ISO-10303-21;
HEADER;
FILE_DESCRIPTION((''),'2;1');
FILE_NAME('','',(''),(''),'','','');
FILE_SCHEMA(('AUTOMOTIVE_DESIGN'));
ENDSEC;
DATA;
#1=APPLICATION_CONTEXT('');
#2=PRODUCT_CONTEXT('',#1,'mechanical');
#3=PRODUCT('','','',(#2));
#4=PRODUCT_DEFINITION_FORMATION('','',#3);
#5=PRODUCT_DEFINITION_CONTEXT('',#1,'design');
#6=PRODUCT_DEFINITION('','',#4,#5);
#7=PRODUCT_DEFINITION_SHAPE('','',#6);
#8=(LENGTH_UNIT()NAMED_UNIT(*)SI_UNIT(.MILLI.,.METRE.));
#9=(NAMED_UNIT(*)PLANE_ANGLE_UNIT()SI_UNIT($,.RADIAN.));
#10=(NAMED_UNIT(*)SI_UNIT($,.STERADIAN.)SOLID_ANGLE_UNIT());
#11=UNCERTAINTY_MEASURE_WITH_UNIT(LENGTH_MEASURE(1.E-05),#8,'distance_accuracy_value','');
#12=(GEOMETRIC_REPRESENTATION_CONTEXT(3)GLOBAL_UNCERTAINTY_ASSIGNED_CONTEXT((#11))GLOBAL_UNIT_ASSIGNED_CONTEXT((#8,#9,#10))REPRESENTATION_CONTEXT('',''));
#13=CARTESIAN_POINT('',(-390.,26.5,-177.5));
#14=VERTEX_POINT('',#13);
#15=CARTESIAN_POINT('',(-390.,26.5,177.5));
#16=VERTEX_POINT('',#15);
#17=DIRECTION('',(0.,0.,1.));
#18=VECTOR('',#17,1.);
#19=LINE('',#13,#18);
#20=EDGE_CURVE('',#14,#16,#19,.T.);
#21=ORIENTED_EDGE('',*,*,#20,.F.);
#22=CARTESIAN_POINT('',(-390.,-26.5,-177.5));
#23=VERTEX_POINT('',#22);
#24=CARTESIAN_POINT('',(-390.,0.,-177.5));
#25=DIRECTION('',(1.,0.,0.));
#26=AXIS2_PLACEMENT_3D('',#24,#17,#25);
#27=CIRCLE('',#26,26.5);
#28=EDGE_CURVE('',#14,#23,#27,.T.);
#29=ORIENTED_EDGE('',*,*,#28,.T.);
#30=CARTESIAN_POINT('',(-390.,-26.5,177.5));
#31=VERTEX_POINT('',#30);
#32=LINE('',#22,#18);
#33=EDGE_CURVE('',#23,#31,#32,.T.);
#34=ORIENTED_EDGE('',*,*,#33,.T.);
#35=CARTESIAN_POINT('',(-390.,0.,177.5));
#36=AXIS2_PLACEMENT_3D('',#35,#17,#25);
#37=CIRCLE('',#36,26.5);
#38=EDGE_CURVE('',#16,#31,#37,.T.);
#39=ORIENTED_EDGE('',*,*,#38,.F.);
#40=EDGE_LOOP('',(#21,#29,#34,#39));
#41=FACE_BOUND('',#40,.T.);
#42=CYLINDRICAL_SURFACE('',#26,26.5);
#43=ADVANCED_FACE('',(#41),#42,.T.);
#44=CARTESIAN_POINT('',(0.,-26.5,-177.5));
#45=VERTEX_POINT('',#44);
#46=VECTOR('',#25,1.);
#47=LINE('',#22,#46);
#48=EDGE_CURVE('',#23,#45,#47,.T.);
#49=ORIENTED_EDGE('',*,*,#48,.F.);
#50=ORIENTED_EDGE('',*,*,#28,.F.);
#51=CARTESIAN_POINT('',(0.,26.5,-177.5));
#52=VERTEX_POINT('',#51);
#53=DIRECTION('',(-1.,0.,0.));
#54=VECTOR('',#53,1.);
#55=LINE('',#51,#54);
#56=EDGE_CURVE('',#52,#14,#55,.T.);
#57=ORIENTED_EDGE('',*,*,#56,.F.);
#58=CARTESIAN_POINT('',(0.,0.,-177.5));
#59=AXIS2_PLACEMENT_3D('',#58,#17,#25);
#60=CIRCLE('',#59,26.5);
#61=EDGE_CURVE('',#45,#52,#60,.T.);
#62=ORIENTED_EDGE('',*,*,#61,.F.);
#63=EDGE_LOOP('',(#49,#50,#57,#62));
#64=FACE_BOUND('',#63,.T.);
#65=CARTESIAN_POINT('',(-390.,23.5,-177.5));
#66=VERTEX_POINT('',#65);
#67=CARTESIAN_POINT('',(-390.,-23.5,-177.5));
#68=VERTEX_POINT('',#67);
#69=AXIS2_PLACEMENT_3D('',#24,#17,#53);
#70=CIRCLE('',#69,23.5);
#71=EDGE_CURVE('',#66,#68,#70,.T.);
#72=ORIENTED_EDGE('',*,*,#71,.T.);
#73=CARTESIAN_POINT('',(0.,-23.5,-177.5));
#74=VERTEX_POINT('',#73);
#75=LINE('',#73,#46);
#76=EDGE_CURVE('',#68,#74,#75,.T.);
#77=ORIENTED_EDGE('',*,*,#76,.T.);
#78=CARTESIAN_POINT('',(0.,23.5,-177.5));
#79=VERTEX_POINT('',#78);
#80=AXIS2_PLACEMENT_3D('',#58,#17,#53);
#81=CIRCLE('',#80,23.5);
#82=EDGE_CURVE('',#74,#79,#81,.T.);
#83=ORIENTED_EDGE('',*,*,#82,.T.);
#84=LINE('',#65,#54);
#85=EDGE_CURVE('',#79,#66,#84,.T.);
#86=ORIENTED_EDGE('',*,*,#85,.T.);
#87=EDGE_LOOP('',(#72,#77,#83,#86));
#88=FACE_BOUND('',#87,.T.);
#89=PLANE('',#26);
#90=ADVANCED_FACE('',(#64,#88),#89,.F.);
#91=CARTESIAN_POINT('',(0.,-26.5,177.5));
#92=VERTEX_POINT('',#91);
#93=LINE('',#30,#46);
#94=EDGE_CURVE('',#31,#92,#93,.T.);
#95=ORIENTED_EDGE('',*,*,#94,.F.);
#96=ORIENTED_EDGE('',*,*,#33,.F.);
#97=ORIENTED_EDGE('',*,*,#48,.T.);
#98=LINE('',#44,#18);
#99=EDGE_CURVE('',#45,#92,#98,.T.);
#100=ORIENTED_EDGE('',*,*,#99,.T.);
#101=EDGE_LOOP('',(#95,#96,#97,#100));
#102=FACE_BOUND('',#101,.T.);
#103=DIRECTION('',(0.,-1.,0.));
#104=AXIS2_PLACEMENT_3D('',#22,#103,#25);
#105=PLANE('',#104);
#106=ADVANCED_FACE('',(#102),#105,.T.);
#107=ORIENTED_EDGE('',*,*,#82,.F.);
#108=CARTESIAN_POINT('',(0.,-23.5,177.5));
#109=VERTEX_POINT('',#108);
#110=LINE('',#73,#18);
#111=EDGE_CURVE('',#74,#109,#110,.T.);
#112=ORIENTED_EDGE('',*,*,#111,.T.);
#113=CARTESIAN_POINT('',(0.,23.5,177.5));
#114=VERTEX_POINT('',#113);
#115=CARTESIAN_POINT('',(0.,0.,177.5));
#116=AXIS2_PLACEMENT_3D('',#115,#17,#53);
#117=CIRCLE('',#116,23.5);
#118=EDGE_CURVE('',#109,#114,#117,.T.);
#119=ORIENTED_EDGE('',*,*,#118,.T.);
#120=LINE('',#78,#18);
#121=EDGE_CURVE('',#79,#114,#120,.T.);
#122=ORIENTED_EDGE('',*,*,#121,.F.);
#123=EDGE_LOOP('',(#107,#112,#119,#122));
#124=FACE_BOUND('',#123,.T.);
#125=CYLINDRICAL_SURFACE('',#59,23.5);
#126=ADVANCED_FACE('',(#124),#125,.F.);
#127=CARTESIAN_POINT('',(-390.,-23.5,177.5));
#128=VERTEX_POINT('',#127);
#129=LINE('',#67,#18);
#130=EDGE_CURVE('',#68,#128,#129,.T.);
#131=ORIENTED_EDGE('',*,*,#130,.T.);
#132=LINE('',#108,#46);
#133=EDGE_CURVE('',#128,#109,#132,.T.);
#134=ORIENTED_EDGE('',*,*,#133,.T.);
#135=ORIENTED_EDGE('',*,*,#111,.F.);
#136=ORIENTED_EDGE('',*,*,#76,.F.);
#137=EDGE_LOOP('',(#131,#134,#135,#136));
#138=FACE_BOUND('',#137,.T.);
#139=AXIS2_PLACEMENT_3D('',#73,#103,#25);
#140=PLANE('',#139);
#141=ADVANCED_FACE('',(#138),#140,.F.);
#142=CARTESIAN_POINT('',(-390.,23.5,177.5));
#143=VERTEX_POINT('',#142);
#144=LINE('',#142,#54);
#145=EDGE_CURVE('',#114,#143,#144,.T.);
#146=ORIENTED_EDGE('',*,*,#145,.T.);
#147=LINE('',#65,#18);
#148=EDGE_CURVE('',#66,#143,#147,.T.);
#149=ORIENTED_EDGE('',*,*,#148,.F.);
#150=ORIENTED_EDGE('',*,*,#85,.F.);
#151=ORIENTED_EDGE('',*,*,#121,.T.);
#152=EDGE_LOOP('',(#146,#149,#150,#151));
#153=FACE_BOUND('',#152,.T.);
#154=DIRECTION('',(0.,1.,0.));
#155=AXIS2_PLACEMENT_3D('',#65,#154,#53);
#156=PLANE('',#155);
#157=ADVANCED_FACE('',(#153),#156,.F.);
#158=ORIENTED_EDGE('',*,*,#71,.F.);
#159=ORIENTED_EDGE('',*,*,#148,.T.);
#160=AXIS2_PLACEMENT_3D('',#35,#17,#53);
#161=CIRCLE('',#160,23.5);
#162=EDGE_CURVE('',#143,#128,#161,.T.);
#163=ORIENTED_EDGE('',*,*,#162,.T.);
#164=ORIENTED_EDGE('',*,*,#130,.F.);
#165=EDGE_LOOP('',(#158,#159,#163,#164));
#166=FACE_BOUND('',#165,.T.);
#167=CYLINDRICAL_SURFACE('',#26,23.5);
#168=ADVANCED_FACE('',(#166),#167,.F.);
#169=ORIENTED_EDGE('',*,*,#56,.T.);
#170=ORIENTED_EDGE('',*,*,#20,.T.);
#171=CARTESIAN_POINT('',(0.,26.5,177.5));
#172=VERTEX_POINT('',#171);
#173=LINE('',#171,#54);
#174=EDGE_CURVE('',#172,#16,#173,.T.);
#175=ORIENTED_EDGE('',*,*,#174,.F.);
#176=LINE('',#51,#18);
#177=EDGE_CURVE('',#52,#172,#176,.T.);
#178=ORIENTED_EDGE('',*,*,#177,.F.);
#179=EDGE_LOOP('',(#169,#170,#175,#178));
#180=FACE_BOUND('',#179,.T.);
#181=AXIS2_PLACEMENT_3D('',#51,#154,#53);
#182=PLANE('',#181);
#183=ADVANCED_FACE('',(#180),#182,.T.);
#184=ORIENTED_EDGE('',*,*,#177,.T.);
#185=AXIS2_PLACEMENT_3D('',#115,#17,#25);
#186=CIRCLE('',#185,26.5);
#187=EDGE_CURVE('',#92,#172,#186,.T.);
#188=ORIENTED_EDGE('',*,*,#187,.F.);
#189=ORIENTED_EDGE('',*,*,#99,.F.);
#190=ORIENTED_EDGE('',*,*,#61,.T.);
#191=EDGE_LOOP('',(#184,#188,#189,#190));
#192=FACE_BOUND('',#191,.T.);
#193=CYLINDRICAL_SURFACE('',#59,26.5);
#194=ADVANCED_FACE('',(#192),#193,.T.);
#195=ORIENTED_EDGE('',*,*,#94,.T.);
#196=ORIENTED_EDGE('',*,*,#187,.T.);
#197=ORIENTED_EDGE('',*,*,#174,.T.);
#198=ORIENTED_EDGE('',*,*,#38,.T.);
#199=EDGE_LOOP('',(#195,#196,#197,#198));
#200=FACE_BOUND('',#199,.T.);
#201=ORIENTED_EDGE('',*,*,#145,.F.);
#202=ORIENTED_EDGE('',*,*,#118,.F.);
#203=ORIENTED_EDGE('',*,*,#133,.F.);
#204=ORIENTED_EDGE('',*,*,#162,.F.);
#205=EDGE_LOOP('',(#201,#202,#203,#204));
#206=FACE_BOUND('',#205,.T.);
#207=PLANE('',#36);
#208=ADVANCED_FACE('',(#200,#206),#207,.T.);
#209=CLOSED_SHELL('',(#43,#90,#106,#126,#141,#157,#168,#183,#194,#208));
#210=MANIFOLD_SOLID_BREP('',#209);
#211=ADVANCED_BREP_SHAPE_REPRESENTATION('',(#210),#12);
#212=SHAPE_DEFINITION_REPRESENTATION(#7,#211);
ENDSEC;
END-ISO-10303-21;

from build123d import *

# Parameters (mm, degrees)
BOSS_EXTRUDE1_DEPTH = 355


with BuildPart() as part:
    # Sketch1 → Boss-Extrude1 (new body)
    with BuildSketch(Plane.XY.offset(177.5)):
        with BuildLine():
            Line((-390, -26.5), (0, -26.5))
            ThreePointArc((0, -26.5), (26.5, 0), (0, 26.5))
            Line((0, 26.5), (-390, 26.5))
            ThreePointArc((-390, 26.5), (-416.5, 0), (-390, -26.5))
        make_face()
        with BuildLine():
            Line((0, -23.5), (-390, -23.5))
            ThreePointArc((-390, -23.5), (-413.5, 0), (-390, 23.5))
            Line((-390, 23.5), (0, 23.5))
            ThreePointArc((0, 23.5), (23.5, 0), (0, -23.5))
        make_face(mode=Mode.SUBTRACT)
    extrude(amount=-BOSS_EXTRUDE1_DEPTH)


solid = part.part
